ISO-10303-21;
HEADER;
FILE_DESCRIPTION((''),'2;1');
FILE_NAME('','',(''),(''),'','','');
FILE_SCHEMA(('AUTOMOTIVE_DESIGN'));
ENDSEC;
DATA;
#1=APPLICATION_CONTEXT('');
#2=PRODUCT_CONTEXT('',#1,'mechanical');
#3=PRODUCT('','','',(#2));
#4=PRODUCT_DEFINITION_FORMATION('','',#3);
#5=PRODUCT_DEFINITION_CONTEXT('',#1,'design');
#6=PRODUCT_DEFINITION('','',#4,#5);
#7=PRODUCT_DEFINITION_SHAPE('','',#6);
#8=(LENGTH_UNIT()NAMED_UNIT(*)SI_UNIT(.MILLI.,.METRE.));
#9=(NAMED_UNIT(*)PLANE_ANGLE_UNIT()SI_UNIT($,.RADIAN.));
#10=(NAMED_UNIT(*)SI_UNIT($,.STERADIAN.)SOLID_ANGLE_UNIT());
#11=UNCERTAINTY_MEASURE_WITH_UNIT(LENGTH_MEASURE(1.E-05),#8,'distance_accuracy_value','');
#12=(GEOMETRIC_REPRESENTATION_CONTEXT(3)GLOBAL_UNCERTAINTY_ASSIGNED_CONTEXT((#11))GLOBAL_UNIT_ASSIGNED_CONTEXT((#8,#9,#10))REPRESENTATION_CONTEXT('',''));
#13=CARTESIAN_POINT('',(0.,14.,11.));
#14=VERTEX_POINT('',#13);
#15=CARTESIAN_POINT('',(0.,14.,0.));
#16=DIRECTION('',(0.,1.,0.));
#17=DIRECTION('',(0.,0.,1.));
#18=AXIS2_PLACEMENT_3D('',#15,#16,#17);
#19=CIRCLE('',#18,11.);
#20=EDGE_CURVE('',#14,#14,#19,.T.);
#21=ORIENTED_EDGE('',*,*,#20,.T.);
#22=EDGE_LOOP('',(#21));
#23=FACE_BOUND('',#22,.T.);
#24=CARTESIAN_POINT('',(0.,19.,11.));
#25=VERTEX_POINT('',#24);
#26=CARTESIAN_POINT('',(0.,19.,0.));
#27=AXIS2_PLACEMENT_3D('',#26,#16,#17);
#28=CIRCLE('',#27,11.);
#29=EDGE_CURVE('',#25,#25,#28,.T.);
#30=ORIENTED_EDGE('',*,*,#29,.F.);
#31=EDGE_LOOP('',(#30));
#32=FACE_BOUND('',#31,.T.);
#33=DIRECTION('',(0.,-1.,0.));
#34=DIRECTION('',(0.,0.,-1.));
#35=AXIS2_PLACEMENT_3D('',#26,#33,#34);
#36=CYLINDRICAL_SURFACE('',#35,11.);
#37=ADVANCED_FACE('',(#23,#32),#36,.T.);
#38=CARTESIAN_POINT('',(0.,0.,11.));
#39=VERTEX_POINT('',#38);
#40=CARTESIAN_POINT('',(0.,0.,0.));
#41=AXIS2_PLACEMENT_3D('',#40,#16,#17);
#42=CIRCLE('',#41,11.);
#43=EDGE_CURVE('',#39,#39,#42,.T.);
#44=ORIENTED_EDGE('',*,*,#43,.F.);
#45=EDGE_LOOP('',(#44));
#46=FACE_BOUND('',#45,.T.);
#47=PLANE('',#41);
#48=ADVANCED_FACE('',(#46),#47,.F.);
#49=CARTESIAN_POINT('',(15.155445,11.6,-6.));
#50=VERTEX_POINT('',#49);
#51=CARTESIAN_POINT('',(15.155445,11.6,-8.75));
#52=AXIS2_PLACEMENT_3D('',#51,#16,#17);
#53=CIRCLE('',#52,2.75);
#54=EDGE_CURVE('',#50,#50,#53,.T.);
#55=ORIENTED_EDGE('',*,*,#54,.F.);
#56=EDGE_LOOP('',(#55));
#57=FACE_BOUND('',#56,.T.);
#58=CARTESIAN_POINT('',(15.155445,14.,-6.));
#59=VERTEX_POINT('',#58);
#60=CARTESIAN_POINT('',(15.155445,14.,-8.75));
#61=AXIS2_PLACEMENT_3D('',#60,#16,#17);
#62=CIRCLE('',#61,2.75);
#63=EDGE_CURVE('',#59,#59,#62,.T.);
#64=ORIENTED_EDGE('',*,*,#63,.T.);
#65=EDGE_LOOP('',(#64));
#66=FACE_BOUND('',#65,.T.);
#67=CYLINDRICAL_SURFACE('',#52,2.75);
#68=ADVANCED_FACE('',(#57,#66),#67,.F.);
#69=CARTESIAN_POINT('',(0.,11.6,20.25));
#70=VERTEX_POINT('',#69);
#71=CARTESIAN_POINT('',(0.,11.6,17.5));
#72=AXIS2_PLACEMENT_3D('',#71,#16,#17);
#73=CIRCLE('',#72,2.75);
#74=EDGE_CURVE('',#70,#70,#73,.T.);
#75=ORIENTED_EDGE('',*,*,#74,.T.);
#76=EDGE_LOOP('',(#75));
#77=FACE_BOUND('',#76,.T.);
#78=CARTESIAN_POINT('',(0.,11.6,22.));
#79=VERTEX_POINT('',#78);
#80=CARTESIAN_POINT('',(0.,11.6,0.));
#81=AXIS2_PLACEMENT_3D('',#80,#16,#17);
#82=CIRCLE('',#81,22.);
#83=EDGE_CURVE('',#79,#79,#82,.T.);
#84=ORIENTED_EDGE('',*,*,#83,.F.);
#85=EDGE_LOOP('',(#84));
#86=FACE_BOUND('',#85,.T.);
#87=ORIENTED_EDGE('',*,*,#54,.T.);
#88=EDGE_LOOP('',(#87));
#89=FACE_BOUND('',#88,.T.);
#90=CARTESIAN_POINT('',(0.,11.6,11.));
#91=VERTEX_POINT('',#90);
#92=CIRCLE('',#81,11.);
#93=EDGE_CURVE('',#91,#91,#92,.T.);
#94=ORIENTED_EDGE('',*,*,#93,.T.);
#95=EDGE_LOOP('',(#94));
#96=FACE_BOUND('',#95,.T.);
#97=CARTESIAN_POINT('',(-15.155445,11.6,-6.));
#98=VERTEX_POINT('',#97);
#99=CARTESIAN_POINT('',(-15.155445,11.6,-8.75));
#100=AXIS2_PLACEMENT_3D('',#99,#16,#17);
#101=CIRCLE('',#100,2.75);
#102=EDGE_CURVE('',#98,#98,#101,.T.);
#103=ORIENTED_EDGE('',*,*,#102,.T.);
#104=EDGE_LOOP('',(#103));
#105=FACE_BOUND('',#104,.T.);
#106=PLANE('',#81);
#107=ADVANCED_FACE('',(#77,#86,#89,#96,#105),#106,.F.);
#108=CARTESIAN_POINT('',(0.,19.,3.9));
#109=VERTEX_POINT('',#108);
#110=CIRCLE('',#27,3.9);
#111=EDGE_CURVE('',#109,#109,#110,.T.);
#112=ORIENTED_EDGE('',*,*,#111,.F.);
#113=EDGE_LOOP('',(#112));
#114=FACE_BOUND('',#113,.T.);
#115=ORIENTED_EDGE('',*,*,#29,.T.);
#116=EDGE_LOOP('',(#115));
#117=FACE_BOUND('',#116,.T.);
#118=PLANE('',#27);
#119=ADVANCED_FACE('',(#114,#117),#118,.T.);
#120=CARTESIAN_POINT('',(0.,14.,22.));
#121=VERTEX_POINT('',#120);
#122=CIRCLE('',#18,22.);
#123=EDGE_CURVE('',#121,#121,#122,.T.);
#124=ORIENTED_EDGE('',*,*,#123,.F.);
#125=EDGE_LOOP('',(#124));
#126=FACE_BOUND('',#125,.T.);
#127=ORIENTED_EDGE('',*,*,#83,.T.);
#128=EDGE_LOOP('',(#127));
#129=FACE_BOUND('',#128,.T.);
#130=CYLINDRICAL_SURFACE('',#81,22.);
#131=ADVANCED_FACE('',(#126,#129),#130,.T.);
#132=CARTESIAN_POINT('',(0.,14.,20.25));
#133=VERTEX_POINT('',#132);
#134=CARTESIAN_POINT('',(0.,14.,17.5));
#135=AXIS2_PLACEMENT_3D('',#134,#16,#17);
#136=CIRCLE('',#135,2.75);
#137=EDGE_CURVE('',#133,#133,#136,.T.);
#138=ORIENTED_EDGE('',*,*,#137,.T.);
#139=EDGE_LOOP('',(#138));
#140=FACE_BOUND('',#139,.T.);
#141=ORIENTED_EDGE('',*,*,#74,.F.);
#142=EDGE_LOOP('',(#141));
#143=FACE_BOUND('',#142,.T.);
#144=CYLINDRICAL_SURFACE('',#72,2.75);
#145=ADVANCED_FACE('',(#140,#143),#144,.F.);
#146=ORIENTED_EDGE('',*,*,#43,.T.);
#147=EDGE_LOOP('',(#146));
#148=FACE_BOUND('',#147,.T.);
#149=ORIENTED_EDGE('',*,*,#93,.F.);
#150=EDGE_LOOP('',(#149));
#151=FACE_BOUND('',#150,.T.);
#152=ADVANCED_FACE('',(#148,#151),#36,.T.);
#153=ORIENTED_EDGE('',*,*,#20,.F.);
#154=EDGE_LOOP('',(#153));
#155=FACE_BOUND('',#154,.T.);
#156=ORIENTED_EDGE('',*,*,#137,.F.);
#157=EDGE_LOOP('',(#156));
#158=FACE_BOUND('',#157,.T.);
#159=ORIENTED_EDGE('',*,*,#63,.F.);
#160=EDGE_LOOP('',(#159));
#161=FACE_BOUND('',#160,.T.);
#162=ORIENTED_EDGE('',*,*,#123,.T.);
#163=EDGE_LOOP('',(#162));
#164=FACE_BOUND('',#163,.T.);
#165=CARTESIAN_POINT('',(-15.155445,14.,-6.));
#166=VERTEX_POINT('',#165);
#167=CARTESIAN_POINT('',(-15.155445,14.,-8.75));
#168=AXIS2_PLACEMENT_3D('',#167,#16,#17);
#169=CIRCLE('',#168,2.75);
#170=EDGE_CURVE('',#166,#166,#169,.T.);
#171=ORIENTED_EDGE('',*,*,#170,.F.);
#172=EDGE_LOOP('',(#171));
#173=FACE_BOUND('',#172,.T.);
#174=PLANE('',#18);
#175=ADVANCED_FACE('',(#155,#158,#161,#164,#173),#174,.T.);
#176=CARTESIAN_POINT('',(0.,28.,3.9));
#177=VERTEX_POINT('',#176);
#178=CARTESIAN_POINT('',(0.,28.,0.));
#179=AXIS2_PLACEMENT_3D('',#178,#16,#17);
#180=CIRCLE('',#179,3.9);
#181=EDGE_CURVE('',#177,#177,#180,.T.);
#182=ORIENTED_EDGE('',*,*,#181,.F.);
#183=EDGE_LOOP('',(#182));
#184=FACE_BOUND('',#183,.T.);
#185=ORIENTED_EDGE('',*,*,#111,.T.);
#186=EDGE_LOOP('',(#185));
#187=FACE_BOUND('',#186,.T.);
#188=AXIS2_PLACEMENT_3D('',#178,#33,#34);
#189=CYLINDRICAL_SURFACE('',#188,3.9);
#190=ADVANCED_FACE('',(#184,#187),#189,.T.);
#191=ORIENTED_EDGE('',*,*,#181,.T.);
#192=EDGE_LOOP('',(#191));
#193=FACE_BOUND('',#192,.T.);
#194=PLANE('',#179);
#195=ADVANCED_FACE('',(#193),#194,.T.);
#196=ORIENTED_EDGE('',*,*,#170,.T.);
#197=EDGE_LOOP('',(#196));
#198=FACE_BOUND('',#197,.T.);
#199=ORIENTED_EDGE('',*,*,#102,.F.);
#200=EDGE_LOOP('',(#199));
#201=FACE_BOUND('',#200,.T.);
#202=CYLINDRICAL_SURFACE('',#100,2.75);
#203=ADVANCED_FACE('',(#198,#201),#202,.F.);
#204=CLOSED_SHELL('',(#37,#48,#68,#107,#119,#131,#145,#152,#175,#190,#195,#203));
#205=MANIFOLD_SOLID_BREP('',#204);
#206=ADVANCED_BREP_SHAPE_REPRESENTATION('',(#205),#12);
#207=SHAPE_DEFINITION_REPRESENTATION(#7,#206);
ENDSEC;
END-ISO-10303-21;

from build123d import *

# Parameters (mm, degrees)
SKETCH1_R           = 11
BOSS_EXTRUDE1_DEPTH = 19
SKETCH2_R           = 3.9
BOSS_EXTRUDE2_DEPTH = 9
SKETCH3_R           = 22
SKETCH3_R_2         = 2.75
BOSS_EXTRUDE3_DEPTH = 2.4


with BuildPart() as part:
    # Sketch1 → Boss-Extrude1 (new body)
    with BuildSketch(Plane(origin=(0, 0, 0), x_dir=(1, 0, 0), z_dir=(0, 1, 0))):
        with Locations(Location((0, 0, 0), (0, 0, 270))):
            Circle(SKETCH1_R)
    extrude(amount=BOSS_EXTRUDE1_DEPTH)

    # Sketch2 → Boss-Extrude2 (add)
    with BuildSketch(Plane(origin=(0, 19, 0), x_dir=(1, 0, 0), z_dir=(0, 1, 0))):
        with Locations(Location((0, 0, 0), (0, 0, 270))):
            Circle(SKETCH2_R)
    extrude(amount=BOSS_EXTRUDE2_DEPTH)

    # Sketch3 → Boss-Extrude3 (add)
    with BuildSketch(Plane(origin=(0, 14, 0), x_dir=(1, 0, 0), z_dir=(0, 1, 0))):
        with Locations(Location((0, 0, 0), (0, 0, 270))):
            Circle(SKETCH3_R)
        with Locations(Location((0, -17.5, 0), (0, 0, 270))):
            Circle(SKETCH3_R_2, mode=Mode.SUBTRACT)
        with Locations(Location((-15.155444566, 8.75, 0), (0, 0, 270))):
            Circle(SKETCH3_R_2, mode=Mode.SUBTRACT)
        with Locations(Location((15.155444566, 8.75, 0), (0, 0, 270))):
            Circle(SKETCH3_R_2, mode=Mode.SUBTRACT)
    extrude(amount=-BOSS_EXTRUDE3_DEPTH)


solid = part.part
